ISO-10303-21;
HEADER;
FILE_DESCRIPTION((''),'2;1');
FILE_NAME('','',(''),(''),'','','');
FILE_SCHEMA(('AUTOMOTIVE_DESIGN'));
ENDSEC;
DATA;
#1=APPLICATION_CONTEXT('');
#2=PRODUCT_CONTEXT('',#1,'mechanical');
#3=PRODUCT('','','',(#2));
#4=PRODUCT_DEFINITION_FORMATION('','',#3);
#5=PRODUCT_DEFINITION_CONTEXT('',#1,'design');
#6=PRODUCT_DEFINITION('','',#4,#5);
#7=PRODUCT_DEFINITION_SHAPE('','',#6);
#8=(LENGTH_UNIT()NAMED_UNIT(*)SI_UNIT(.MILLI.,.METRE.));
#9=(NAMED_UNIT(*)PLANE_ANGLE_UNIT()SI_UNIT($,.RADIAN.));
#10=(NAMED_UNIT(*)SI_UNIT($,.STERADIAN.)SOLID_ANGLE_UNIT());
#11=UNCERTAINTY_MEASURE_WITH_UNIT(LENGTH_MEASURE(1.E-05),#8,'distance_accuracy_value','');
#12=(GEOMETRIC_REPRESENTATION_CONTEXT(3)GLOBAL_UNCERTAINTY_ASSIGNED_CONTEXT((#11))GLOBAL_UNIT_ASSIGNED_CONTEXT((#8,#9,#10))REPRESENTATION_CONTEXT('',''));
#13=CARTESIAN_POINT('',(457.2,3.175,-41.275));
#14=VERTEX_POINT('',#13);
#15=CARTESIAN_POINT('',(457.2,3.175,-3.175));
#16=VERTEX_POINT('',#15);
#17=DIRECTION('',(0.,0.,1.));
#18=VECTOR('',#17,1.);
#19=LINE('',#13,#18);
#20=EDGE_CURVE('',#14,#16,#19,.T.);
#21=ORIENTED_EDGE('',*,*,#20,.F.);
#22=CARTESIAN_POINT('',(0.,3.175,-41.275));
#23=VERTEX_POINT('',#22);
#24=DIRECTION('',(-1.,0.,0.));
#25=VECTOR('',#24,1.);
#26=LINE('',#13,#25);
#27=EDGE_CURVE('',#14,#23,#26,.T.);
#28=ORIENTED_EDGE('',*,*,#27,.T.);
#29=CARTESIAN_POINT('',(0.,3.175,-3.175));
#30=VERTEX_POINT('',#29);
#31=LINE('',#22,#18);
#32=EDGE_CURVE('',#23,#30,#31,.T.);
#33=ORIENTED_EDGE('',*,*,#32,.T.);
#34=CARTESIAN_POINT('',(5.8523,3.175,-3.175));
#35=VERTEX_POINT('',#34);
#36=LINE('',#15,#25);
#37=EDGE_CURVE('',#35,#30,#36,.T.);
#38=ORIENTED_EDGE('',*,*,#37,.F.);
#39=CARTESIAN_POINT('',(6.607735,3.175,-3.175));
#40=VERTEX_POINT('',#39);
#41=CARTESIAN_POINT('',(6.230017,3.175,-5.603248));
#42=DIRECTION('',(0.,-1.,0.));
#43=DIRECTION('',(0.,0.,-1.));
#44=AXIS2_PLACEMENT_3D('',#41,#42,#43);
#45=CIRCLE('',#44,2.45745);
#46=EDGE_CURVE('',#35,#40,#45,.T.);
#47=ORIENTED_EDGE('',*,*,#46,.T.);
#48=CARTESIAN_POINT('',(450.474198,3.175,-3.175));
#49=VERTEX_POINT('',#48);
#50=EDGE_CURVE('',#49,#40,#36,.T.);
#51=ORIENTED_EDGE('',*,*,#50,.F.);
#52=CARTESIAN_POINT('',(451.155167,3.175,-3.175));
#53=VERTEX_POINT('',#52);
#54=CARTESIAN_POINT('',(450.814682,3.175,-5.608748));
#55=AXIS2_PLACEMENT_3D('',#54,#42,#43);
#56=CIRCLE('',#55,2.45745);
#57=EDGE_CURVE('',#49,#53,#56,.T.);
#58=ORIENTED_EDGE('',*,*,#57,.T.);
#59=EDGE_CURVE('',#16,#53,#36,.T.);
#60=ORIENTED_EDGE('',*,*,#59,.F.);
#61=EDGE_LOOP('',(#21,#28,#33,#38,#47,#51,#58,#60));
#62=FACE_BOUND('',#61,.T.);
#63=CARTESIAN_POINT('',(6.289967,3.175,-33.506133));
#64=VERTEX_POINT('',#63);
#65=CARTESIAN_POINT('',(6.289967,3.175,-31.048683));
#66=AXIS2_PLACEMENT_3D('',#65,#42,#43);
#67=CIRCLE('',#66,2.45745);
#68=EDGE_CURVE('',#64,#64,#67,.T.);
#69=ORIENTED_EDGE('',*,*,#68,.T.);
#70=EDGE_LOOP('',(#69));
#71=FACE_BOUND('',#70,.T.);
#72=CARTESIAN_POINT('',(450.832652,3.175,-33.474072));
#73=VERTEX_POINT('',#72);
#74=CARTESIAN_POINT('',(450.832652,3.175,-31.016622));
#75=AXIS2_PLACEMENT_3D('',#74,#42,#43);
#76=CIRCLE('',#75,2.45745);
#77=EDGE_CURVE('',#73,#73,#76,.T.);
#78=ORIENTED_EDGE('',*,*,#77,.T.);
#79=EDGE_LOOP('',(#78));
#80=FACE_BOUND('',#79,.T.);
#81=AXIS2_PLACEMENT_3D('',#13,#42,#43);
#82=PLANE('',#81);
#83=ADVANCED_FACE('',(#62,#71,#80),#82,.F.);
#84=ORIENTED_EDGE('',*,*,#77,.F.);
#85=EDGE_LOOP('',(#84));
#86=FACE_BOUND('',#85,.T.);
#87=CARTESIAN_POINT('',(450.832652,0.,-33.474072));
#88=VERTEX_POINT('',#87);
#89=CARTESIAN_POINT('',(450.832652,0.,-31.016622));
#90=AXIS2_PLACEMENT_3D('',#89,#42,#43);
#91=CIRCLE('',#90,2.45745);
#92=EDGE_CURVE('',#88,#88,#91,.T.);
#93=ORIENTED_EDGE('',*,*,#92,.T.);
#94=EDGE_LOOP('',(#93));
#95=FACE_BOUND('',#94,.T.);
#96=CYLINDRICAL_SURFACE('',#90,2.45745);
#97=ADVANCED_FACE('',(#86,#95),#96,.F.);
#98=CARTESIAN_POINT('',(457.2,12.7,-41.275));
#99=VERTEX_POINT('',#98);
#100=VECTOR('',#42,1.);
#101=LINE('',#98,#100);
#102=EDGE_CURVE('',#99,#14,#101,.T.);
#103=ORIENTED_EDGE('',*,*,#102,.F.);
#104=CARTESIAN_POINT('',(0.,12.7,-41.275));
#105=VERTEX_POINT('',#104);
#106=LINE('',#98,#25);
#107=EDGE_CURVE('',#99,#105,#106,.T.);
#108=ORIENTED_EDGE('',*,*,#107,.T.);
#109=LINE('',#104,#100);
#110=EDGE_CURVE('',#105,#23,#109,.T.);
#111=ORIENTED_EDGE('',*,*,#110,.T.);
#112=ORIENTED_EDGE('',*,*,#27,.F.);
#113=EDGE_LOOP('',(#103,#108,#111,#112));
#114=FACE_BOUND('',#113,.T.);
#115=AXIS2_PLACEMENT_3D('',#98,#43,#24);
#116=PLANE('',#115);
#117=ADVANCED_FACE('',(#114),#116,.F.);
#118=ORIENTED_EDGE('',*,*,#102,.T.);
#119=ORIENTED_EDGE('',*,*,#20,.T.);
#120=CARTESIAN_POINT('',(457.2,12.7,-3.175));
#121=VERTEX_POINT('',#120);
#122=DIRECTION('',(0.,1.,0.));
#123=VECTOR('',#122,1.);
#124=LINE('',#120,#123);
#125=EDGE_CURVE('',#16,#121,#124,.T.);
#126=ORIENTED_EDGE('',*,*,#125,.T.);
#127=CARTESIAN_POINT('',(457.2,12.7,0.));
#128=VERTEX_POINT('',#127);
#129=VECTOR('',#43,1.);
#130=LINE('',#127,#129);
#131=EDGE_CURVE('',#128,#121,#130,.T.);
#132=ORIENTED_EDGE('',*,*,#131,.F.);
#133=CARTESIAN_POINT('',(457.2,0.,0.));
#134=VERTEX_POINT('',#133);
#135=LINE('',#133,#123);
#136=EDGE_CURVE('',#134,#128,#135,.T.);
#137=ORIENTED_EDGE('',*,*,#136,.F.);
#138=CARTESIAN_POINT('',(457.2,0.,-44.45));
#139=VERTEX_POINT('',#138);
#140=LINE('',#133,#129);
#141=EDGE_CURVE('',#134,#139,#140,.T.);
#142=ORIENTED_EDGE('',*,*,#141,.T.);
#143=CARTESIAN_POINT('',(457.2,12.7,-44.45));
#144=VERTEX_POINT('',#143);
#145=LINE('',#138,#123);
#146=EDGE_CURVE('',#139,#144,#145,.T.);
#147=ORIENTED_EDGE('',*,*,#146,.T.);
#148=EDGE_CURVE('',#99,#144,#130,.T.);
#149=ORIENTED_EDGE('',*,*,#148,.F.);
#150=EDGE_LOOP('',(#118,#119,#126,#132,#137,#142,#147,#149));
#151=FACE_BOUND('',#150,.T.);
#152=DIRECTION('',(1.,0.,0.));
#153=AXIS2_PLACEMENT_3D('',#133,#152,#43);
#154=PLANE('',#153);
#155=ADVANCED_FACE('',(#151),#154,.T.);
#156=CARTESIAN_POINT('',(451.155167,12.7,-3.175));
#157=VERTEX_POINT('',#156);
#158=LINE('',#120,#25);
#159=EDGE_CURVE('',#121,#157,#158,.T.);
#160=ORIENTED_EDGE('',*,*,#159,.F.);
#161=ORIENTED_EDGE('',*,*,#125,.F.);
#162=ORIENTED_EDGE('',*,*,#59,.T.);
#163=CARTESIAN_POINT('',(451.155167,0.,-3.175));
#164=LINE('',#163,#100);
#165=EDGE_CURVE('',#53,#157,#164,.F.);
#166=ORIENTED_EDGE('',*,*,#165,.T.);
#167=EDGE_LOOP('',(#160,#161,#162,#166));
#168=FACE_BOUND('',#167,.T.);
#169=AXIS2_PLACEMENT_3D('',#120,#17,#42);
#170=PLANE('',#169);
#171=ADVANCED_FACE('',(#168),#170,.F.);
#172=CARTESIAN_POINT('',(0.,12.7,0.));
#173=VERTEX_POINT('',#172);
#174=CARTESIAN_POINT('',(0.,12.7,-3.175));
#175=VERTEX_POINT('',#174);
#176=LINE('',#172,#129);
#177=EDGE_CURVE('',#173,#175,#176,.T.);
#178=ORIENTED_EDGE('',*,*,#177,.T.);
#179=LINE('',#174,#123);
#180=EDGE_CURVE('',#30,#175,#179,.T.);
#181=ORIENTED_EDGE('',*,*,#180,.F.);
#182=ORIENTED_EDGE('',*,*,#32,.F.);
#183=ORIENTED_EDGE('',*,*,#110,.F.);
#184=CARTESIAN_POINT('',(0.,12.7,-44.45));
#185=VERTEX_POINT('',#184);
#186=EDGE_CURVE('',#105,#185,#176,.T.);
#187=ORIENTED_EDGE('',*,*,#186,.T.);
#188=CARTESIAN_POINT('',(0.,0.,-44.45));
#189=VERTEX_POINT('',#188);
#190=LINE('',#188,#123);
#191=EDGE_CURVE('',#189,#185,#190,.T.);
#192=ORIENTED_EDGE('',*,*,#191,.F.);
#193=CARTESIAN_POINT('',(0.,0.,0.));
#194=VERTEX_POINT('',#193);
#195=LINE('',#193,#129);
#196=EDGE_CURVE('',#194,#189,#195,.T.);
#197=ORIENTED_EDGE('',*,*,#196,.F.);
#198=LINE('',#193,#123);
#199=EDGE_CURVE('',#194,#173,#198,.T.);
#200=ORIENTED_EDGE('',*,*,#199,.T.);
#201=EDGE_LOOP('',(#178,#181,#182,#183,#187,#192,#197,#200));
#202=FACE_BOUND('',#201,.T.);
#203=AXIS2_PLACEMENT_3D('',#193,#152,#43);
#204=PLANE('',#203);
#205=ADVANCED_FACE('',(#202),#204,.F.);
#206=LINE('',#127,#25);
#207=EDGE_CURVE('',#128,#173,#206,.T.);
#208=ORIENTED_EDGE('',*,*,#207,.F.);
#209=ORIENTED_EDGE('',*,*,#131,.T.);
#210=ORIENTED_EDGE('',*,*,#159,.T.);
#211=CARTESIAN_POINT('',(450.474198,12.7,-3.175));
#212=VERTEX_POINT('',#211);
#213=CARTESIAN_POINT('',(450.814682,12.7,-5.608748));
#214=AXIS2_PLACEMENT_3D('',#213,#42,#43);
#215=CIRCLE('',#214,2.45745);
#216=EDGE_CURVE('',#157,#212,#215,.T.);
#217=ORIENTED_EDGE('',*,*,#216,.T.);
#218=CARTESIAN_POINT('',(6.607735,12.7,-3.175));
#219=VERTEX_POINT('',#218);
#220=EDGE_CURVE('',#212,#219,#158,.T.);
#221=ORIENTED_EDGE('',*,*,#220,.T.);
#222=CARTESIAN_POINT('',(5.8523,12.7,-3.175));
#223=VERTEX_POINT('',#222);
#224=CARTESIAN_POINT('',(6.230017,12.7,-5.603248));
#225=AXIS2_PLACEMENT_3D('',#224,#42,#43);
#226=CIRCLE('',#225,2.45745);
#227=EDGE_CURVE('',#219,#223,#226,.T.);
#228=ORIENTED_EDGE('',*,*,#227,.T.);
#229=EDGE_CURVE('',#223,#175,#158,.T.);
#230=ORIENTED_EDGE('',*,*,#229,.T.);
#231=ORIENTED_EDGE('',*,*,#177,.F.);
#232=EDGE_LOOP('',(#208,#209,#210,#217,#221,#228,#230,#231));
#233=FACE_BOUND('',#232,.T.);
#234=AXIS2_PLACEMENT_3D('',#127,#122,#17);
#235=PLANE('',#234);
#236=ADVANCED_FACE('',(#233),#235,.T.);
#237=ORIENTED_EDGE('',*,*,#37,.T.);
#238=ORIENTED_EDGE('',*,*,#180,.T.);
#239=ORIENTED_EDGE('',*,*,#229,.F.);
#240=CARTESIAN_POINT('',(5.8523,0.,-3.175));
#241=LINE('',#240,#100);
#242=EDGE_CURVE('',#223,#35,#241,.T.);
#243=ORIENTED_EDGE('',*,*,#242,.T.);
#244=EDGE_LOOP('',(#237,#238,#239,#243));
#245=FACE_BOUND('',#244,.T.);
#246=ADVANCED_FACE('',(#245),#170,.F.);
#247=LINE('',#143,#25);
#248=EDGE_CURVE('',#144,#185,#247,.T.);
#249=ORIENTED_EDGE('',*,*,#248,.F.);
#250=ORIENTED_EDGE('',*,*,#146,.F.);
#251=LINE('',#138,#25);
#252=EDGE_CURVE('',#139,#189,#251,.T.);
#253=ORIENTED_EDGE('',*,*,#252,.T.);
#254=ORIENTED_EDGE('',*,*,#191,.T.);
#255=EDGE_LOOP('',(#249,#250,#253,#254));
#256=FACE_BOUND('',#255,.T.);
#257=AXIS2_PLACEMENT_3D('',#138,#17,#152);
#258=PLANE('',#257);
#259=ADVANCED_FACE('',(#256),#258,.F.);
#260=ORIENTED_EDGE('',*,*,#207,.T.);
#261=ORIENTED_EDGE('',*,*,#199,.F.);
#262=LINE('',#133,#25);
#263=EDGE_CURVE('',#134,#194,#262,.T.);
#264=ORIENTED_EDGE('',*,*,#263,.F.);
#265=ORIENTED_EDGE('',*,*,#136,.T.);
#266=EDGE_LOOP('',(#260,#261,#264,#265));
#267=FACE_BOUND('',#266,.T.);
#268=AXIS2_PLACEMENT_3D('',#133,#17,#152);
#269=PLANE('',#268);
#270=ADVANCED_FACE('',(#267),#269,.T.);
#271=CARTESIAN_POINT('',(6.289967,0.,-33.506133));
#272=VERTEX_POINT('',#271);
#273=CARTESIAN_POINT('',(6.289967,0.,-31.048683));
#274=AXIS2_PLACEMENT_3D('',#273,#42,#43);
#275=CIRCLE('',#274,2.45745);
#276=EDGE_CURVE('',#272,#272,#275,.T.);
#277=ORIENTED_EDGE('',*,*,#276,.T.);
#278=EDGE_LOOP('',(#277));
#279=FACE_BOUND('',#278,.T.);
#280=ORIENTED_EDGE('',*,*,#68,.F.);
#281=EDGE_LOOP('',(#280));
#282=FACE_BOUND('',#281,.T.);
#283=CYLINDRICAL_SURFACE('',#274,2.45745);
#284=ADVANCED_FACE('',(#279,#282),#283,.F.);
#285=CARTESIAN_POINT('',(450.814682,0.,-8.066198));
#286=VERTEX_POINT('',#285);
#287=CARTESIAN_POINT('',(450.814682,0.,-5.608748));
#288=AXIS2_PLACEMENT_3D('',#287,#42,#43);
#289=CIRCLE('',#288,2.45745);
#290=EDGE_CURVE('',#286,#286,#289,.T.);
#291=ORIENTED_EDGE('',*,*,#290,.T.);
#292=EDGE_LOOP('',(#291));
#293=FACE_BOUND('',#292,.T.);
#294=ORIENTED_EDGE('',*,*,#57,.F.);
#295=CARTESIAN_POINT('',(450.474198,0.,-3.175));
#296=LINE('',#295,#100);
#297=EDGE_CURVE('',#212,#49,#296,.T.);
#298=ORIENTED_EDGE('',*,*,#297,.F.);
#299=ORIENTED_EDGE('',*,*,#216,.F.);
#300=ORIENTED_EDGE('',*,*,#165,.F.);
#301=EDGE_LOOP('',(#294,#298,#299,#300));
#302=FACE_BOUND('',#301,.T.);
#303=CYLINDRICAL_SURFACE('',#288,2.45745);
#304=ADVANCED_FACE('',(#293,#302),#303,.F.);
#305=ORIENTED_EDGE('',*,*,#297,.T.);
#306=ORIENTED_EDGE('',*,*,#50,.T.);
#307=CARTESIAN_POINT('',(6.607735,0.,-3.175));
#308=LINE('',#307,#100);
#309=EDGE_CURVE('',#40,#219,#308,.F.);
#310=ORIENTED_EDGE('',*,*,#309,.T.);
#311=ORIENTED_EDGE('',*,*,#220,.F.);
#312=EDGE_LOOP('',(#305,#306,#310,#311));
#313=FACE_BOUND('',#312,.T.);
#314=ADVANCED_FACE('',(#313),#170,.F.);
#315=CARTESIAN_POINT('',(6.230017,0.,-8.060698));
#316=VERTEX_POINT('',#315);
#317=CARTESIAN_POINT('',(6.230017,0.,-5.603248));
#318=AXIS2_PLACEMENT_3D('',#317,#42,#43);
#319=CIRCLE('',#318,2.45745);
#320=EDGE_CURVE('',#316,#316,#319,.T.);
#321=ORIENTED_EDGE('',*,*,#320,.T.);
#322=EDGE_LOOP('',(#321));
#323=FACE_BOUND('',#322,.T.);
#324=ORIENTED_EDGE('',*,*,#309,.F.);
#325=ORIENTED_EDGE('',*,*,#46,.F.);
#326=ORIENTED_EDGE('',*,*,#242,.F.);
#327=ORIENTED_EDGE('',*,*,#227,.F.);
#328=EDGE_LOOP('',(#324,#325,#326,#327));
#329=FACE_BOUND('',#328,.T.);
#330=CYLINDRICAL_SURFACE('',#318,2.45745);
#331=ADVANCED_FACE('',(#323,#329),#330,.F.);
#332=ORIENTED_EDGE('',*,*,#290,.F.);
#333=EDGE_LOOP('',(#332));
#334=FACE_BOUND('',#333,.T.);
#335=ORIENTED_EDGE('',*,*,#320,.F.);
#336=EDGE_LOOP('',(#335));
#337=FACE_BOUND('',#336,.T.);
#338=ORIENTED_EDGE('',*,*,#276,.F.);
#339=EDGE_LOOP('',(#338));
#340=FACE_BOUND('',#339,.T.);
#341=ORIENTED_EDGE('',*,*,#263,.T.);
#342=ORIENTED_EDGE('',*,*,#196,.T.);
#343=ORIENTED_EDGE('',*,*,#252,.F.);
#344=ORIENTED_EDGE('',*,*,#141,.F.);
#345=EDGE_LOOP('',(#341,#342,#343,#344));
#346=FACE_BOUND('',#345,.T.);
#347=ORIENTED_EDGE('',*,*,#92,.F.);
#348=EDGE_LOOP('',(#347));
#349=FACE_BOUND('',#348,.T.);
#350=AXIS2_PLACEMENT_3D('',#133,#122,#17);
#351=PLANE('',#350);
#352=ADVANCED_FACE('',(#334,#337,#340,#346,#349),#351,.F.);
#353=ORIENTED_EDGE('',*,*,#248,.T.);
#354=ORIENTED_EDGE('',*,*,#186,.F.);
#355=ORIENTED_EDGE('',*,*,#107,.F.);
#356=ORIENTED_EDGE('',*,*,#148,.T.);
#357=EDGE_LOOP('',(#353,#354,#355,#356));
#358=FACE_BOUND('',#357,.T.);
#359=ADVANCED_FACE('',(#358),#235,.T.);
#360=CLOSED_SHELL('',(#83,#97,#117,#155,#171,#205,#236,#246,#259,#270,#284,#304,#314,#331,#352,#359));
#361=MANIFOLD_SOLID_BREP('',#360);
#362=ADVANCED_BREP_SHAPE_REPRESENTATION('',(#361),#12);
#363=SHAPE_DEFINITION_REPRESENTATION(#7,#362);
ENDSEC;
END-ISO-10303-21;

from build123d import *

# Parameters (mm, degrees)
SKETCH1_W                    = 44.45
SKETCH1_H                    = 12.7
BOSS_EXTRUDE1_DEPTH          = 457.2
SKETCH2_W                    = 38.1
SKETCH2_H                    = 9.525
CUT_EXTRUDE1_DEPTH           = 457.2
F_10_0_1935_DIAMETER_HOLE3_D = 4.9149


with BuildPart() as part:
    # Sketch1 → Boss-Extrude1 (new body)
    with BuildSketch(Plane(origin=(0, 0, 0), x_dir=(0, 0, -1), z_dir=(1, 0, 0))):
        with Locations((22.225, 6.35)):
            Rectangle(SKETCH1_W, SKETCH1_H)
    extrude(amount=BOSS_EXTRUDE1_DEPTH)

    # Sketch2 → Cut-Extrude1 (cut)
    with BuildSketch(Plane.ZY):
        with Locations((-22.225, 7.9375)):
            Rectangle(SKETCH2_W, SKETCH2_H)
    extrude(amount=-CUT_EXTRUDE1_DEPTH, mode=Mode.SUBTRACT)

    # #10 (0.1935) Diameter Hole3 (through all)
    with Locations(Plane(origin=(450.832652449, 0, -31.016622241), x_dir=(0, 0, -1), z_dir=(0, -1, 0))):
        with Locations((0, 0), (-25.407873942, -0.017970114), (0.032060561, -444.542685672), (-25.413373891, -444.602634996)):
            Hole(F_10_0_1935_DIAMETER_HOLE3_D / 2)


solid = part.part
